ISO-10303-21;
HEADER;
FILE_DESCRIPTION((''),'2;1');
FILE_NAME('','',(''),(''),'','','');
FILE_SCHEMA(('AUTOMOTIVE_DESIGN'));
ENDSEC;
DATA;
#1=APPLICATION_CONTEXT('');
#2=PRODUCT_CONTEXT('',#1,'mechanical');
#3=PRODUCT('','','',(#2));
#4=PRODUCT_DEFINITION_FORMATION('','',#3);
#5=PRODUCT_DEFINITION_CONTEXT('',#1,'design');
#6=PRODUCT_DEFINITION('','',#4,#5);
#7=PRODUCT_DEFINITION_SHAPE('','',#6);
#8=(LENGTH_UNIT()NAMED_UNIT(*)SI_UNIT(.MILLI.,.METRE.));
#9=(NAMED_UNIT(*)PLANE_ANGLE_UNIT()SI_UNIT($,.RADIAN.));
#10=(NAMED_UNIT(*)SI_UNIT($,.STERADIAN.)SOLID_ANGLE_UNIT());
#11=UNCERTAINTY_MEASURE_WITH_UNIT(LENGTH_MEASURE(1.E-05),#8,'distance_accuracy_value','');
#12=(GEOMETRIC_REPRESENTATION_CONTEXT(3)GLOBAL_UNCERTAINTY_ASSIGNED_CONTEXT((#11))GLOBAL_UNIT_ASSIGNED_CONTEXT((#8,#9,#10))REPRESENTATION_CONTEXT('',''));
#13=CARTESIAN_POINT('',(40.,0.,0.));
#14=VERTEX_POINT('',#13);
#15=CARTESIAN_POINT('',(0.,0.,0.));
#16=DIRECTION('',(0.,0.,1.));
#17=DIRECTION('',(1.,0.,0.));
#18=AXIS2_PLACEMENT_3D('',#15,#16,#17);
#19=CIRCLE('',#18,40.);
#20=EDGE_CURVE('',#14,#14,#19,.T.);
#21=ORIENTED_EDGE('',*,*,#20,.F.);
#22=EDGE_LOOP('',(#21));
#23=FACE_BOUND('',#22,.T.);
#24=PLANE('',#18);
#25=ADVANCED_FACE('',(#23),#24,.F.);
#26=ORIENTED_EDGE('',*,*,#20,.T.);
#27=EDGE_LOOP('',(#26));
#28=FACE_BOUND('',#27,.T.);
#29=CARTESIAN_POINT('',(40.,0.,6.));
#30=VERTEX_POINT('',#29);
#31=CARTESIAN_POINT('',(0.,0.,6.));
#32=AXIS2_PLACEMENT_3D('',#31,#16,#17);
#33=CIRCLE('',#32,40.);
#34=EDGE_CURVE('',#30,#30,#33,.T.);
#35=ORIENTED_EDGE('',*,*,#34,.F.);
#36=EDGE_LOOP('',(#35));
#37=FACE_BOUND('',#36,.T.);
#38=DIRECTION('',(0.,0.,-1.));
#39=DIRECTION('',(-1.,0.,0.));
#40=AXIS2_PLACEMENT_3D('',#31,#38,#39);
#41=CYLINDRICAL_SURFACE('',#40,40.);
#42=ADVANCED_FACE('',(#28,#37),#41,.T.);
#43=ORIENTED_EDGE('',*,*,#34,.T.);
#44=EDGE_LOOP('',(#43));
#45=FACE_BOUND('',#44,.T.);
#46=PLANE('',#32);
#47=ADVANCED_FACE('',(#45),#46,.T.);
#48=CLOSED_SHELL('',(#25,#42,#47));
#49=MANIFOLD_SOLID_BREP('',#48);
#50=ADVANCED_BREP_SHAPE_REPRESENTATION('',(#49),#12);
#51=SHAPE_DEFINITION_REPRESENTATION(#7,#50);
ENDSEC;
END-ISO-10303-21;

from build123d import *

# Parameters (mm, degrees)
SKETCH_1_R      = 40
EXTRUDE_1_DEPTH = 6


with BuildPart() as part:
    # 草图1 → 凸台-拉伸1 (new body)
    with BuildSketch(Plane.XY):
        Circle(SKETCH_1_R)
    extrude(amount=EXTRUDE_1_DEPTH)


solid = part.part
